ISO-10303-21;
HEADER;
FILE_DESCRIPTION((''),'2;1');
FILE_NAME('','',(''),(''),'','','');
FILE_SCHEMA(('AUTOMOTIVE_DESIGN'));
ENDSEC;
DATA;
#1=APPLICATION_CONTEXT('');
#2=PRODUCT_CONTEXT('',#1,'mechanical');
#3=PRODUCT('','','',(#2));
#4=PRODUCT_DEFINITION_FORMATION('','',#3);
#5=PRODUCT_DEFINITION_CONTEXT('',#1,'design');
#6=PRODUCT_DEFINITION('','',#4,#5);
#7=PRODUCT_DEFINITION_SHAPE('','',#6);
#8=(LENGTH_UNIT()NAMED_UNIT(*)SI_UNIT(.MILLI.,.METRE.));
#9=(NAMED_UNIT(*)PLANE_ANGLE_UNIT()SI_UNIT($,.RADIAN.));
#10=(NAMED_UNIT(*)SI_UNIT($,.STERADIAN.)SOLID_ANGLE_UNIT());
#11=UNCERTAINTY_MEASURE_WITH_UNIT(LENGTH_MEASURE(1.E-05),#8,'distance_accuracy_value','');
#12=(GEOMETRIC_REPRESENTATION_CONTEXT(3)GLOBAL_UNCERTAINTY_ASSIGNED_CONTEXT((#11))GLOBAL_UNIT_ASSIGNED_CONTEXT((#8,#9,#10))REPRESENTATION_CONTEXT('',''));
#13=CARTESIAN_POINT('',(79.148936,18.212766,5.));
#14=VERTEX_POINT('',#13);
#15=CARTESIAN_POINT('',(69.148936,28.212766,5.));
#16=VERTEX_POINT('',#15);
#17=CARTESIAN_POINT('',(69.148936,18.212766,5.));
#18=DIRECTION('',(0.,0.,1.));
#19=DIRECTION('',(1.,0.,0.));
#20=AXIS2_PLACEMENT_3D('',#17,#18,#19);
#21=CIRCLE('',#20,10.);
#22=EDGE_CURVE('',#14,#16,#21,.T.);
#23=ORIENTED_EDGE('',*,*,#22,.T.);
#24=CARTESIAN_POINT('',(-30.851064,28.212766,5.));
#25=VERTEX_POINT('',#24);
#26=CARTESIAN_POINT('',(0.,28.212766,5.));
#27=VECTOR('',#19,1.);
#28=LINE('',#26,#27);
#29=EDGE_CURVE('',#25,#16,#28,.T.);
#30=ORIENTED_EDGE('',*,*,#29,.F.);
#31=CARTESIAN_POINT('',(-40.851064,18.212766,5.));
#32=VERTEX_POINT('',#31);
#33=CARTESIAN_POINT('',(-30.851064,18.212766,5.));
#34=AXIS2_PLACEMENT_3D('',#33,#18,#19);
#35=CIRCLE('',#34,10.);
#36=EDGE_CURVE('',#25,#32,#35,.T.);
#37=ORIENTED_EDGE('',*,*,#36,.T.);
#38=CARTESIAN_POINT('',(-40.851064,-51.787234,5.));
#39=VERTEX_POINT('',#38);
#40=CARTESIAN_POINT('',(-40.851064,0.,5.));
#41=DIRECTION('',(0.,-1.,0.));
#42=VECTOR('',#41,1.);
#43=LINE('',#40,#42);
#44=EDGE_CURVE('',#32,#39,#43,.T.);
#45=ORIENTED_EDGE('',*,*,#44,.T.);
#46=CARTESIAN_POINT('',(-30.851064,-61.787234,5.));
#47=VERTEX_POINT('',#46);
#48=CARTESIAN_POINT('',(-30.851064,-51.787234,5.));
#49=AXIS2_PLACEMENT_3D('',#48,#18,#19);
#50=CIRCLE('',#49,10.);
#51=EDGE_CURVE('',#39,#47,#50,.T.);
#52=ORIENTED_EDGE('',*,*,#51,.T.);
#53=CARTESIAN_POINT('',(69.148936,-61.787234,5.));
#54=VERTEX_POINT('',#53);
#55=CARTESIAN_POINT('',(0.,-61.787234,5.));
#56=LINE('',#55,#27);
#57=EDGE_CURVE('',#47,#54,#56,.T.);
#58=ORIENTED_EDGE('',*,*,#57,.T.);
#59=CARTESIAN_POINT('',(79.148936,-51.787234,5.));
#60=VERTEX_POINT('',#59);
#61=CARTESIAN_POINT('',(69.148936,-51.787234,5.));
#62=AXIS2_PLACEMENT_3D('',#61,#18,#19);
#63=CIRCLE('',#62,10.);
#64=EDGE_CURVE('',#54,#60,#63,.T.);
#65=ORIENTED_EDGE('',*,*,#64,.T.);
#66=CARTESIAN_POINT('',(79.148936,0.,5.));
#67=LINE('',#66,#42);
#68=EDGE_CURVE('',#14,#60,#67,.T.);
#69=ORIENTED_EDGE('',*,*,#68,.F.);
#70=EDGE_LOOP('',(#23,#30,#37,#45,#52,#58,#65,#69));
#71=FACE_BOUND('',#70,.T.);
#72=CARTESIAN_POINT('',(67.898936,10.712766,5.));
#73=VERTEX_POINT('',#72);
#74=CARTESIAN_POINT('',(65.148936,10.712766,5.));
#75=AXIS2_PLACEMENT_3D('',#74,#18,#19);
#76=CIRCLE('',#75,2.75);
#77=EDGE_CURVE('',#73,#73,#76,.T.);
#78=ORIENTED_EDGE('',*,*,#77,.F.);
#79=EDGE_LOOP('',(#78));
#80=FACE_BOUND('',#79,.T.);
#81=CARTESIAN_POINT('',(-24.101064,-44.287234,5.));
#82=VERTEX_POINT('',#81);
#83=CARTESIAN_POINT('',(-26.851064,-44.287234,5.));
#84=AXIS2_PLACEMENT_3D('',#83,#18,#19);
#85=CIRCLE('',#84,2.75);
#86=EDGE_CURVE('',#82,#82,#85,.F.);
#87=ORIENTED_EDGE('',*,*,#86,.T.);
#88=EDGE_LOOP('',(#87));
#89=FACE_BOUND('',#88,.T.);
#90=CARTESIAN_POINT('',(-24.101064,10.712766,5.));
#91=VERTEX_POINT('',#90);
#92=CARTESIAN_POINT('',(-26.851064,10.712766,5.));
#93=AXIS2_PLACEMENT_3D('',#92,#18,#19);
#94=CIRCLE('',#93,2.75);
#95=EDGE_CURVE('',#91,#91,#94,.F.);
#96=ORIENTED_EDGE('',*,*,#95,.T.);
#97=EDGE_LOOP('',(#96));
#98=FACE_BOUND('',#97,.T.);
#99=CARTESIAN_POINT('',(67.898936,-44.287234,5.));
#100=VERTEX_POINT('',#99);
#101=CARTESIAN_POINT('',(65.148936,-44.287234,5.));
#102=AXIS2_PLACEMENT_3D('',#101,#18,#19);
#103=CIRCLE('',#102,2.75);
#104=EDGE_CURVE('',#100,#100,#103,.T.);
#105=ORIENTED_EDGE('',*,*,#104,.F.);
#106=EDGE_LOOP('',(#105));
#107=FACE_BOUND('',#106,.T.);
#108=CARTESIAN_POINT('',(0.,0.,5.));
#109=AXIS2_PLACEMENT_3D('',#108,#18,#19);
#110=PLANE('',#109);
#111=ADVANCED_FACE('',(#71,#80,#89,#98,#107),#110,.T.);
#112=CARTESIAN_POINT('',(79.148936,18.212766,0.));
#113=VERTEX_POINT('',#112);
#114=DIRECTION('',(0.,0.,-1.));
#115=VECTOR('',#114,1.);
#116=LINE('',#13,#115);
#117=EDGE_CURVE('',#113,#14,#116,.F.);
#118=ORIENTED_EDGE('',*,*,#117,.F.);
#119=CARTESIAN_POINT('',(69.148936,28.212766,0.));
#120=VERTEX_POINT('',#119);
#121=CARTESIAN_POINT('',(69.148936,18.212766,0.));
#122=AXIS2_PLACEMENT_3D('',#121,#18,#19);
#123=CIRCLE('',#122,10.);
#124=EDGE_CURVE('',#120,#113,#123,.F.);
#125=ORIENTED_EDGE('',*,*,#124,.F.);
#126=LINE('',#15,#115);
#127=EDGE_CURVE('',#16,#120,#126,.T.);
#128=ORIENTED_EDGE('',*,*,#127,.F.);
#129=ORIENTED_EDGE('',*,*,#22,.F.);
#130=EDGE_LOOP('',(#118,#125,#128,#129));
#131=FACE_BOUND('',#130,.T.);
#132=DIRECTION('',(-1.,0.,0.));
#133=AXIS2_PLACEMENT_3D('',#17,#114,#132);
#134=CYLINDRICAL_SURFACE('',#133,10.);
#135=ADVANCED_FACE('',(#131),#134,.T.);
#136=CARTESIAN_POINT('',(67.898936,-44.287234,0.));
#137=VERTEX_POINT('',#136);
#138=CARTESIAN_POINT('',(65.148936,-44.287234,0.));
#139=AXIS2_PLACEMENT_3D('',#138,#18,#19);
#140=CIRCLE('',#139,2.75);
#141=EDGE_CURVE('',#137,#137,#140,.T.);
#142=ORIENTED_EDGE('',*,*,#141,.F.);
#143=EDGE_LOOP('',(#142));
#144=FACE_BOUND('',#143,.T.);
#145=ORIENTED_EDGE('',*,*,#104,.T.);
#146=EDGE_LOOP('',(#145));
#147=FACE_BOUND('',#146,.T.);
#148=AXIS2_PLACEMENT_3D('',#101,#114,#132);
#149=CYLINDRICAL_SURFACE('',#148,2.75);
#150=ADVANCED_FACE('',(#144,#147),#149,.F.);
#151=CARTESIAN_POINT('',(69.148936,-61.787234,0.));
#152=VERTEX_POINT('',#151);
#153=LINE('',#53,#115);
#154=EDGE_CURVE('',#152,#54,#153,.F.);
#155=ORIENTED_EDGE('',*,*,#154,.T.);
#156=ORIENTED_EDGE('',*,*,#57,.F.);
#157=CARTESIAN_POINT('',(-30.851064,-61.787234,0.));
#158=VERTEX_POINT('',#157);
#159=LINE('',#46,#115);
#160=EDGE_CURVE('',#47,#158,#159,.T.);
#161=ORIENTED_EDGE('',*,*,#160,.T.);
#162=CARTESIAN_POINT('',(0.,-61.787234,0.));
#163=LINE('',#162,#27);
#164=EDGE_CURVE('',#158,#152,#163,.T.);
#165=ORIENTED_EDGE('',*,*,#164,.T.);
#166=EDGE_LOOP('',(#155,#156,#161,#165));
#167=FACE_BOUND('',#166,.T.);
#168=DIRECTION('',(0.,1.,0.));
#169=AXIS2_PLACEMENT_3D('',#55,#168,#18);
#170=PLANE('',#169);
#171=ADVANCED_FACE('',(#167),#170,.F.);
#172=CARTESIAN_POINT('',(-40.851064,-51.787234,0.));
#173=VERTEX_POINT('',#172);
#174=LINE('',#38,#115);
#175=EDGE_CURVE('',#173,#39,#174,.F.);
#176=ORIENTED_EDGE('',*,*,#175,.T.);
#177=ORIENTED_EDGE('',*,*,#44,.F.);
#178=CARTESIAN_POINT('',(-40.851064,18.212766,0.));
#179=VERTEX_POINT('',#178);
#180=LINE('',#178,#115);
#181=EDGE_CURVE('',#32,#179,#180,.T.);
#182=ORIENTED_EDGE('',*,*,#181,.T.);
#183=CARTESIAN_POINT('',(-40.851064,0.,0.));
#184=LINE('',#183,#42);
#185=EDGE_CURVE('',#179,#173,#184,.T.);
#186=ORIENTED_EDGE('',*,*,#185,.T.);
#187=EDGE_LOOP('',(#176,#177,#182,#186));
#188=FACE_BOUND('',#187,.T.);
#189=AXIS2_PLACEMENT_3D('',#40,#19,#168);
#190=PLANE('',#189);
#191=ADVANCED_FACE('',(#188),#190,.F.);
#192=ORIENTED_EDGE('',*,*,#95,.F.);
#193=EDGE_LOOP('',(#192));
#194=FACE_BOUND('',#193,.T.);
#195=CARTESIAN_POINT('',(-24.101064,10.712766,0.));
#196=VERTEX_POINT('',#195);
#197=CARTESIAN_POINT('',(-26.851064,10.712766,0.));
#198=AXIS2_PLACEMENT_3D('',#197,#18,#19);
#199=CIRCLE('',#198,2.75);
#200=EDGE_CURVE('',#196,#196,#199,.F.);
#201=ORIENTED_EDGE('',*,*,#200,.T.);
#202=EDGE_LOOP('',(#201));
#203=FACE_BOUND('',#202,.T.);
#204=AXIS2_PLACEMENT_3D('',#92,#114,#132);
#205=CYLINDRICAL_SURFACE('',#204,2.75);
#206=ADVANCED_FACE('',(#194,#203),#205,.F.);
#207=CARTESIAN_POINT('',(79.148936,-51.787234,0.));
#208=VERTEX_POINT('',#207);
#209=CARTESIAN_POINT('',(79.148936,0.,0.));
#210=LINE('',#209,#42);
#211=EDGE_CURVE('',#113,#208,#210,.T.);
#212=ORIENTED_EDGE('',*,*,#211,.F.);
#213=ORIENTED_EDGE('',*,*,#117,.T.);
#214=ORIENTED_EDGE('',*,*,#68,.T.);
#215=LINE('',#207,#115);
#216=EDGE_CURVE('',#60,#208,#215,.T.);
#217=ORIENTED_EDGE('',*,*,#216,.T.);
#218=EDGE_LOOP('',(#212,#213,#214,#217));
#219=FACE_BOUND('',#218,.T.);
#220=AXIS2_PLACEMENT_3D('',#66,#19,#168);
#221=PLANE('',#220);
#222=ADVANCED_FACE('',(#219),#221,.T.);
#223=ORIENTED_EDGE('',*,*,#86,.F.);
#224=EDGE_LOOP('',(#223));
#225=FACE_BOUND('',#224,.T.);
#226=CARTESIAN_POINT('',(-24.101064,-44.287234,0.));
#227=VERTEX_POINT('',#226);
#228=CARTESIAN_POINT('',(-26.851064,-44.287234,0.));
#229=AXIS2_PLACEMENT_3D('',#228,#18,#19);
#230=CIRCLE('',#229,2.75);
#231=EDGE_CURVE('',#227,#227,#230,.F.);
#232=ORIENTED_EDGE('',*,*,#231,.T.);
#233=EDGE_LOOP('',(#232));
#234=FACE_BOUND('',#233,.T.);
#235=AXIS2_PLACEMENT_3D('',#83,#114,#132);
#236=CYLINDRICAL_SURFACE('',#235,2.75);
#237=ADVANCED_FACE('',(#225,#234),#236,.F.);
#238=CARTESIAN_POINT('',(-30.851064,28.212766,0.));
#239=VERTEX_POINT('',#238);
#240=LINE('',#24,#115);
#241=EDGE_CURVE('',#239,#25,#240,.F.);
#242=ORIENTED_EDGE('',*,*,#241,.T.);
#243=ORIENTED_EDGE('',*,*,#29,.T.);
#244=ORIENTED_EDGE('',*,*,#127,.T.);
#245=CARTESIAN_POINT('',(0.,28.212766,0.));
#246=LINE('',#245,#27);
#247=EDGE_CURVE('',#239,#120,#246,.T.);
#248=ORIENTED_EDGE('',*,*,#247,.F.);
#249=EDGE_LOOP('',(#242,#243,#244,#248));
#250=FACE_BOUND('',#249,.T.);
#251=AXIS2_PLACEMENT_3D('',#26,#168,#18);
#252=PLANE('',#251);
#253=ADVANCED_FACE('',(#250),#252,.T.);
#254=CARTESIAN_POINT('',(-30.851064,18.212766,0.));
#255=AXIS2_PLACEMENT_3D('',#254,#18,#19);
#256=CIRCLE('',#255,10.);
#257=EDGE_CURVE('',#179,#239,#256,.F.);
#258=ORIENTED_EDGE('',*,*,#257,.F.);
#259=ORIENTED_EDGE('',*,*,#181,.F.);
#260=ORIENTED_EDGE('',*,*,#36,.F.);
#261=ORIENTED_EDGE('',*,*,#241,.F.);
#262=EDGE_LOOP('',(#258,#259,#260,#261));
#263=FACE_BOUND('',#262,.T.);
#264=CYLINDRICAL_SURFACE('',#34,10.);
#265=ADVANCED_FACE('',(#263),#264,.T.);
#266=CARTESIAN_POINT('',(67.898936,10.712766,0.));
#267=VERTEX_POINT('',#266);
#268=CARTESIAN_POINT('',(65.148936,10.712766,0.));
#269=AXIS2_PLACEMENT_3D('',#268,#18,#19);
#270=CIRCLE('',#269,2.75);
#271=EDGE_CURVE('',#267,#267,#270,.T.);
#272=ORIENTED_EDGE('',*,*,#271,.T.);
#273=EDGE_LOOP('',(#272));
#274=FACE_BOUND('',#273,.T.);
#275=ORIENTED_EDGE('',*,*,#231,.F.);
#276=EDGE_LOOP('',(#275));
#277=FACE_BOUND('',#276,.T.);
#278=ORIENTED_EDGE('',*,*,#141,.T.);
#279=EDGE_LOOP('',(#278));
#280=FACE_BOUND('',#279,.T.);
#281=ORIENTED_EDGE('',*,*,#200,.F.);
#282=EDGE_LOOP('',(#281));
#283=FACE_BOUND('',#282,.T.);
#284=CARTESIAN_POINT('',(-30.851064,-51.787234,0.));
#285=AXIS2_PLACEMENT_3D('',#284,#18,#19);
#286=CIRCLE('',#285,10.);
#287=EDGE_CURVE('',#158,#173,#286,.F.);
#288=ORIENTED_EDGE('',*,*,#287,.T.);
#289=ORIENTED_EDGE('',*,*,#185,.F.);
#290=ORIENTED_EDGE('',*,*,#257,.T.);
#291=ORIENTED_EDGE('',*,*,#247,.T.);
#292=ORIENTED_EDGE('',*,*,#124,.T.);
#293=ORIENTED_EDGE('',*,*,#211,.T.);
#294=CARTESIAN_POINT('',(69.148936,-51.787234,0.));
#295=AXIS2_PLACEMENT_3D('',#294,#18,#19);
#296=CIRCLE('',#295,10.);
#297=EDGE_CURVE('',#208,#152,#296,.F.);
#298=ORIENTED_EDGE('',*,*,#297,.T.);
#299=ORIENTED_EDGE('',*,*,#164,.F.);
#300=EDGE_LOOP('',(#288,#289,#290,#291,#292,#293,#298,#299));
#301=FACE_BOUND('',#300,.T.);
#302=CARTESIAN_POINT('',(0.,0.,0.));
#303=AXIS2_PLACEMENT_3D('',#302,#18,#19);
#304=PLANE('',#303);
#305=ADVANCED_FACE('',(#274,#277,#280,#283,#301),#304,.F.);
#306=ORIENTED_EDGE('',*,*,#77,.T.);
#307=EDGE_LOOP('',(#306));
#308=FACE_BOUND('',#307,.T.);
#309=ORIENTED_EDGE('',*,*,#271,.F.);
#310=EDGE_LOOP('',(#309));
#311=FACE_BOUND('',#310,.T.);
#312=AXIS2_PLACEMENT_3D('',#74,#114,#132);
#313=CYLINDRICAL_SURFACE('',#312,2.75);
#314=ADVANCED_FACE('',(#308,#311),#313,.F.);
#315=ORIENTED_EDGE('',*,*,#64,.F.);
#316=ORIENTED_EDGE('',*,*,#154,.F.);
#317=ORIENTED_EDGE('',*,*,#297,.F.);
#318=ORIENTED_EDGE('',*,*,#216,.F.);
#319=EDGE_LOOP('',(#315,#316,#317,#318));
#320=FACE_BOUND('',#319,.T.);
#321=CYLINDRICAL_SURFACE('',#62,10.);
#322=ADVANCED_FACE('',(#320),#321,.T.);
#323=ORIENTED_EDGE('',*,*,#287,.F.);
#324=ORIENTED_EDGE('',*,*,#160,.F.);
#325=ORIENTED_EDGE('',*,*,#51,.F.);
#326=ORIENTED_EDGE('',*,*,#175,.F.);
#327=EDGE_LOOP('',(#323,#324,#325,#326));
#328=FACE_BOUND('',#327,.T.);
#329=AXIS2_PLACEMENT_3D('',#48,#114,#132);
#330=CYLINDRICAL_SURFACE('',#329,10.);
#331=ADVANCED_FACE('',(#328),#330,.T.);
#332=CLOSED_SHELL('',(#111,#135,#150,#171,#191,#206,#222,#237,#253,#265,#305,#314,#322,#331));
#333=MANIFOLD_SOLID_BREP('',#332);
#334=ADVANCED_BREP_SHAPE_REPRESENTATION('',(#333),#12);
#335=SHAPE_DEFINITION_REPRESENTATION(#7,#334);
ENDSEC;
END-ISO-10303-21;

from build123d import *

# Parameters (mm, degrees)
SKETCH_1_W      = 120
SKETCH_1_H      = 90
SKETCH_1_R      = 2.75
EXTRUDE_1_DEPTH = 5
FILLET_1_R      = 10


with BuildPart() as part:
    # 草图1 → 凸台-拉伸1 (new body)
    with BuildSketch(Plane.XY):
        with Locations((19.14893617, -16.787234043)):
            Rectangle(SKETCH_1_W, SKETCH_1_H)
        with Locations((-26.85106383, -44.287234043)):
            Circle(SKETCH_1_R, mode=Mode.SUBTRACT)
        with Locations((65.14893617, -44.287234043)):
            Circle(SKETCH_1_R, mode=Mode.SUBTRACT)
        with Locations((-26.85106383, 10.712765957)):
            Circle(SKETCH_1_R, mode=Mode.SUBTRACT)
        with Locations((65.14893617, 10.712765957)):
            Circle(SKETCH_1_R, mode=Mode.SUBTRACT)
    extrude(amount=EXTRUDE_1_DEPTH)

    # 圆角1
    fillet_1_edges = [part.edges().sort_by_distance(p)[0] for p in [
        (-40.85106383, -61.787234043, 2.5),
        (-40.85106383, 28.212765957, 2.5),
        (79.14893617, 28.212765957, 2.5),
        (79.14893617, -61.787234043, 2.5),
    ]]
    fillet(fillet_1_edges, radius=FILLET_1_R)


solid = part.part
